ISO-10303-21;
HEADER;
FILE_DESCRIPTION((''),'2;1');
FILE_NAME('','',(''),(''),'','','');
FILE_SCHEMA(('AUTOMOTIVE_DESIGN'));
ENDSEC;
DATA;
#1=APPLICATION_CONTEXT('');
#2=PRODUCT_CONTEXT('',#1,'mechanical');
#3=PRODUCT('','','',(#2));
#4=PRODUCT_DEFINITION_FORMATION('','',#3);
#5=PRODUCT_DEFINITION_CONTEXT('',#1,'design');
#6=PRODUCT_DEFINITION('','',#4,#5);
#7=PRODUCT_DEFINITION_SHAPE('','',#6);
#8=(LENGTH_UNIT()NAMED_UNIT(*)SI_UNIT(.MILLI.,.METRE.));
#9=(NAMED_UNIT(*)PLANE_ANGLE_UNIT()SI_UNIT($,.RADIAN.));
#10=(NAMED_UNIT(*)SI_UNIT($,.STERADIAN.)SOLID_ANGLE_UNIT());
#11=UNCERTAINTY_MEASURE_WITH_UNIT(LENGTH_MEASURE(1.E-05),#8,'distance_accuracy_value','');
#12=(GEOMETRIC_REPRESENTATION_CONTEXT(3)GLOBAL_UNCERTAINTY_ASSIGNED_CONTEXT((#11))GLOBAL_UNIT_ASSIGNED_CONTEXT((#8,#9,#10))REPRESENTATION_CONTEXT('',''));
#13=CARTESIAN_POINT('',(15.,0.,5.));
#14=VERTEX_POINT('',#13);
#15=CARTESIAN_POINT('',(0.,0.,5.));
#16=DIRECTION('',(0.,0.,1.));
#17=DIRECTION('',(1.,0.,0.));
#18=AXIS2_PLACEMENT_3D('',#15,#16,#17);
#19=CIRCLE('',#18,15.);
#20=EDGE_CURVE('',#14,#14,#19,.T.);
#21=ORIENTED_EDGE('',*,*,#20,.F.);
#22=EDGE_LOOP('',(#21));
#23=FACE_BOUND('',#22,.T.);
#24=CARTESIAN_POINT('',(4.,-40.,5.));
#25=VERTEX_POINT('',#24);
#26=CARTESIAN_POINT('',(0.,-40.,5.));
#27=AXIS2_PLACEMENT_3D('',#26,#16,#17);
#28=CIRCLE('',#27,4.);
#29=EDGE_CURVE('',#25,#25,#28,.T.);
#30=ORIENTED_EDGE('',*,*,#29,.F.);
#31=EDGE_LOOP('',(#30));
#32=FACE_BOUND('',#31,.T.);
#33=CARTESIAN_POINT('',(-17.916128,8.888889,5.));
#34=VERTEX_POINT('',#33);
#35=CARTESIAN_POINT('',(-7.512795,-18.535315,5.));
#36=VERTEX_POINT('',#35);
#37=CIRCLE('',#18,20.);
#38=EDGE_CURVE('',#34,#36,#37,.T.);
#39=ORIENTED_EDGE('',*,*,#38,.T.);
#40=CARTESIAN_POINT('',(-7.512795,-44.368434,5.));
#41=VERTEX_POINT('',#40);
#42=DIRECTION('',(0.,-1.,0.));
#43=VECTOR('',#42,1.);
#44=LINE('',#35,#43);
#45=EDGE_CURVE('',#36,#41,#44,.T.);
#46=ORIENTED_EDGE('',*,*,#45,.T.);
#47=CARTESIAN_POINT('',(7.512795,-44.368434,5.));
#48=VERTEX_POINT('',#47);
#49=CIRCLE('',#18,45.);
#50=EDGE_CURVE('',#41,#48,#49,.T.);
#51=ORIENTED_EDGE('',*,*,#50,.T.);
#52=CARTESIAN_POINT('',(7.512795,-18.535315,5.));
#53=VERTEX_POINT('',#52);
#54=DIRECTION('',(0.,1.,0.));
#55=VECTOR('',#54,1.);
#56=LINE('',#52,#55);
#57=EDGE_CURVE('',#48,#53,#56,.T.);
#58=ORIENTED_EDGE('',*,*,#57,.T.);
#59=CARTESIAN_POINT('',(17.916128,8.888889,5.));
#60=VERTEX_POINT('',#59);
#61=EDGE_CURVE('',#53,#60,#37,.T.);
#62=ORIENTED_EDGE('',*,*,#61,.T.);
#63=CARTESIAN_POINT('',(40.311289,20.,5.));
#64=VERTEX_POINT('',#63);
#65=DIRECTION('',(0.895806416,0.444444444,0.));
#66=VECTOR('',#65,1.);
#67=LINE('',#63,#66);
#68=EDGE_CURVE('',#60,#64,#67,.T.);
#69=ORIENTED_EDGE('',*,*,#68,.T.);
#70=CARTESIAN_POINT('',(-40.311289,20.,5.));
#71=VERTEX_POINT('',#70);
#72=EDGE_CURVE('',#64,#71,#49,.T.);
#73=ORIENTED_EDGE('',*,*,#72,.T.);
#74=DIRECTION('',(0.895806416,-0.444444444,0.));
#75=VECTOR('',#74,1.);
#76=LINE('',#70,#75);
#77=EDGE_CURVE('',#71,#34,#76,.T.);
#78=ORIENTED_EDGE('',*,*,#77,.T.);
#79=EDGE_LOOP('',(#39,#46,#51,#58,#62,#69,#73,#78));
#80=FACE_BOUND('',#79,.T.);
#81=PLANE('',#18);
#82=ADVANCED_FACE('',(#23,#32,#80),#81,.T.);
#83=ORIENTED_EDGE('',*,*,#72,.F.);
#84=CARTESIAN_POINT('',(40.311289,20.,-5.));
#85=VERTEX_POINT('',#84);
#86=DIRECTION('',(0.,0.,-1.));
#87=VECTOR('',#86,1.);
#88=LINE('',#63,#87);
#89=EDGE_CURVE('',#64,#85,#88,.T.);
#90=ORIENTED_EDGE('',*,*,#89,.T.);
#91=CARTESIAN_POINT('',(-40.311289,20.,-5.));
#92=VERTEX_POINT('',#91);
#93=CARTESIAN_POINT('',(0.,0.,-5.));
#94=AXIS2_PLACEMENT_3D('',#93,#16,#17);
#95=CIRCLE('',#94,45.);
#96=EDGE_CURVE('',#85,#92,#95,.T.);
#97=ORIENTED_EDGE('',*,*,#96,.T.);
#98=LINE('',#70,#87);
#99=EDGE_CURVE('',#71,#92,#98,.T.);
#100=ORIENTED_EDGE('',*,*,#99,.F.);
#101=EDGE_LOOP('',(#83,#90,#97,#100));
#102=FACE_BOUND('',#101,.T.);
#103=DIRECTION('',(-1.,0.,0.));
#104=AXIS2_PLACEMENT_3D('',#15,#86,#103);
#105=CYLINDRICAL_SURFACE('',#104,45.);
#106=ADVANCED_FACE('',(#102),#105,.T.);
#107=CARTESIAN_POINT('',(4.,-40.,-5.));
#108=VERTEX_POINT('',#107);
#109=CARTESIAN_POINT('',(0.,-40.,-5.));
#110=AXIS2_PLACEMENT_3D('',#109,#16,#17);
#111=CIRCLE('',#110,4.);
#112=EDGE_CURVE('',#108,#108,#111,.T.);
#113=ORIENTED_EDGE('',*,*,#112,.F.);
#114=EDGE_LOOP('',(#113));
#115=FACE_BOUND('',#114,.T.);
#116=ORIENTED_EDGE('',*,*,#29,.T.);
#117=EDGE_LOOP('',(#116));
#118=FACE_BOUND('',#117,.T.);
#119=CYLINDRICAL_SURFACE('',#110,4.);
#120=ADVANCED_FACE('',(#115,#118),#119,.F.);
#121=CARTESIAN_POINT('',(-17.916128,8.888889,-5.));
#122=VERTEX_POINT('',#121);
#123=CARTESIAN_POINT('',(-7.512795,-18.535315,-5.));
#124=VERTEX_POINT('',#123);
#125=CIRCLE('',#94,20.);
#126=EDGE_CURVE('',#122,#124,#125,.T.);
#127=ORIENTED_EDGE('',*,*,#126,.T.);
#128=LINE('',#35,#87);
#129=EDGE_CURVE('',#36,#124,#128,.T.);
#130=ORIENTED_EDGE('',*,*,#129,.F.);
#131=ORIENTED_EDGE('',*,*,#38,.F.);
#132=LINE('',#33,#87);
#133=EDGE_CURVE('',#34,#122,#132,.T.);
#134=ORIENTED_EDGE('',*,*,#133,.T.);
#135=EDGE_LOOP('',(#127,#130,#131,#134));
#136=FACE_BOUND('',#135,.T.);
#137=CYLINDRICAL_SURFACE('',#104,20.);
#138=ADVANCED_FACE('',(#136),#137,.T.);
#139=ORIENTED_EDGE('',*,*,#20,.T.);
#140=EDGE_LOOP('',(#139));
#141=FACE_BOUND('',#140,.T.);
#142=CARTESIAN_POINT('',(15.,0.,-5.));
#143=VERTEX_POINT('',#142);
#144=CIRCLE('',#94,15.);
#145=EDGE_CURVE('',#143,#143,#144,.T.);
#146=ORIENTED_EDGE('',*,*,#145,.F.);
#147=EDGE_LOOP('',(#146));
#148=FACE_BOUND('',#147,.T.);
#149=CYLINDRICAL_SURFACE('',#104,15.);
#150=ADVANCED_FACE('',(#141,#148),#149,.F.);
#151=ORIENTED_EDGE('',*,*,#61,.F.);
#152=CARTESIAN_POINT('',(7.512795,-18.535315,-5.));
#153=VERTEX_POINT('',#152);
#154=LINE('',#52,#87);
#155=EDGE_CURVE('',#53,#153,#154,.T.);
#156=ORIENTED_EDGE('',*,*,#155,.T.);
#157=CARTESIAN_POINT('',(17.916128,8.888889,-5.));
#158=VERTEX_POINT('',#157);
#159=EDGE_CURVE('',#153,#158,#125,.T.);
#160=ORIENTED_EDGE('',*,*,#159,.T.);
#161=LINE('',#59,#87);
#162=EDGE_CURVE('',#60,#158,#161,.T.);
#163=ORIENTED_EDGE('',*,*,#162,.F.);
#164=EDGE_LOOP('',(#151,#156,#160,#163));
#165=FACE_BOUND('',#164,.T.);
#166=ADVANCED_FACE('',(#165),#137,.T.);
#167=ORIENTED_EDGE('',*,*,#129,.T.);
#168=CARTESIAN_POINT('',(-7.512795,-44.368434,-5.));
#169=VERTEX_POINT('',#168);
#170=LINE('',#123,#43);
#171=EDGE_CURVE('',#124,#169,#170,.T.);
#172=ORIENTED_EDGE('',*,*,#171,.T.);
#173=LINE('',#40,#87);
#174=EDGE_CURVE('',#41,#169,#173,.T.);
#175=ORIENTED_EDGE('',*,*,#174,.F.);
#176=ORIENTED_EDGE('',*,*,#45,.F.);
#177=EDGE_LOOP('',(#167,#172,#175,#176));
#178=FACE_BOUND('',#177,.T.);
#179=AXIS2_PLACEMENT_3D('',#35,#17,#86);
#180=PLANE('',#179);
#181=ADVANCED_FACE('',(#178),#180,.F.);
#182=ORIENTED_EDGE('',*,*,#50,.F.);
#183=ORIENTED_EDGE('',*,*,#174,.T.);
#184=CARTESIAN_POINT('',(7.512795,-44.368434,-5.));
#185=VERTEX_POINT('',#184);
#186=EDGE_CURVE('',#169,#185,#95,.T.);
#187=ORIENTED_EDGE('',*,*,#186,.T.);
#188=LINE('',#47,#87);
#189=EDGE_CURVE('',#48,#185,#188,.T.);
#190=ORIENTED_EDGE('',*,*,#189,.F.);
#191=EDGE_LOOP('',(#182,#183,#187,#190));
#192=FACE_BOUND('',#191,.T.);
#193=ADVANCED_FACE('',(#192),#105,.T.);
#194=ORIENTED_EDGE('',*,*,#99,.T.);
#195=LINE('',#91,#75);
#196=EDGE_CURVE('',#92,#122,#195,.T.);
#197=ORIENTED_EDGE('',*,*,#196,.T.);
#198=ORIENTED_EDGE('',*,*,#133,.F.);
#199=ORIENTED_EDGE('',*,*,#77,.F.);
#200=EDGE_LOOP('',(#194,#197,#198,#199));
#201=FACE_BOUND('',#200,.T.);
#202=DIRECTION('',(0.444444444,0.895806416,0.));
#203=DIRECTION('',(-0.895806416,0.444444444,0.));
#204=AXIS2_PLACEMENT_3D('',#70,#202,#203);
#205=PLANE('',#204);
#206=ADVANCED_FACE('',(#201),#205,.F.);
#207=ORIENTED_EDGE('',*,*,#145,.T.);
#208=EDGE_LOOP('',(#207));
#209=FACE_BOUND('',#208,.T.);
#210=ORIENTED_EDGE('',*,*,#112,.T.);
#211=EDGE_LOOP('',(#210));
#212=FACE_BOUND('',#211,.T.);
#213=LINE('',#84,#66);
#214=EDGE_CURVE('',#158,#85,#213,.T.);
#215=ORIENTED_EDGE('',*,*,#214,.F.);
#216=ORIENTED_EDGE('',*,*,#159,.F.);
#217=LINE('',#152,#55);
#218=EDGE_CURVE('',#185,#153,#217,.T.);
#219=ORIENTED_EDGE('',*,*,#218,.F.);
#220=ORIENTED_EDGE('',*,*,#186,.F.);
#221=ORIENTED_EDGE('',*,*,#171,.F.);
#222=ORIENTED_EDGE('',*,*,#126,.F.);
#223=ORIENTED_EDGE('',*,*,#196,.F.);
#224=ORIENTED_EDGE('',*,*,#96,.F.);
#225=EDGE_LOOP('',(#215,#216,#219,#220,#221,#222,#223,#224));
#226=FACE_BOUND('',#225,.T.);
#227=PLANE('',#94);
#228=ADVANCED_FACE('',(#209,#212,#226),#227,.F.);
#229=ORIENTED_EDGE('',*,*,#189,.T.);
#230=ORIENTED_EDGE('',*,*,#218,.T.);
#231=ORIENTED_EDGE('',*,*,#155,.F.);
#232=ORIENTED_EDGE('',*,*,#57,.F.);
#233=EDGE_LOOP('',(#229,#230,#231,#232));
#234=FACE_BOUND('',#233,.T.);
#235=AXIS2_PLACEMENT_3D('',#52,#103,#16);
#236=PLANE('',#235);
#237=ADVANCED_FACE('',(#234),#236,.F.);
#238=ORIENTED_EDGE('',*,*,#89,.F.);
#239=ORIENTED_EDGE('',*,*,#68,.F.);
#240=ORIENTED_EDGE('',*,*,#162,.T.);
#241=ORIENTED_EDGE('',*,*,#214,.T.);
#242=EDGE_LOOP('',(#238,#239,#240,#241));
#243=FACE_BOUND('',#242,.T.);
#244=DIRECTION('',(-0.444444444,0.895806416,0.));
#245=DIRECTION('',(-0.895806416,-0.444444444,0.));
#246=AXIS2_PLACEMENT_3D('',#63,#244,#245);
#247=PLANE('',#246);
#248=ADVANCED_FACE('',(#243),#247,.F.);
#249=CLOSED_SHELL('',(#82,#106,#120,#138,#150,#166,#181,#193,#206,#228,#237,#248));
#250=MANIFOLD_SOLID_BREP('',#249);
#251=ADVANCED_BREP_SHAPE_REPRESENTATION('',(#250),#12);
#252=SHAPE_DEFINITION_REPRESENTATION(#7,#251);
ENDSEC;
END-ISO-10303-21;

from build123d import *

# Parameters (mm, degrees)
SKETCH1_R           = 15
BOSS_EXTRUDE1_DEPTH = 5
SKETCH2_R           = 4
CUT_EXTRUDE1_DEPTH  = 62.23724357


with BuildPart() as part:
    # Sketch1 → Boss-Extrude1 (new, symmetric)
    with BuildSketch(Plane.XY):
        with BuildLine():
            Line((-40.311288741, 20), (-17.91612833, 8.888888889))
            ThreePointArc((-17.91612833, 8.888888889), (-18.699713239, -7.093710227), (-7.512794536, -18.535315435))
            Line((-7.512794536, -18.535315435), (-7.512794536, -44.368433804))
            ThreePointArc((-7.512794536, -44.368433804), (0, -45), (7.512794536, -44.368433804))
            Line((7.512794536, -44.368433804), (7.512794536, -18.535315435))
            ThreePointArc((7.512794536, -18.535315435), (18.699713239, -7.093710227), (17.91612833, 8.888888889))
            Line((17.91612833, 8.888888889), (40.311288741, 20))
            ThreePointArc((40.311288741, 20), (0, 45), (-40.311288741, 20))
        make_face()
        Circle(SKETCH1_R, mode=Mode.SUBTRACT)
    extrude(amount=BOSS_EXTRUDE1_DEPTH, both=True)

    # Sketch2 → Cut-Extrude1 (cut, through all)
    with BuildSketch(Plane.XY.offset(5)):
        with Locations((0, -40)):
            Circle(SKETCH2_R)
    extrude(amount=-CUT_EXTRUDE1_DEPTH, mode=Mode.SUBTRACT)


solid = part.part
